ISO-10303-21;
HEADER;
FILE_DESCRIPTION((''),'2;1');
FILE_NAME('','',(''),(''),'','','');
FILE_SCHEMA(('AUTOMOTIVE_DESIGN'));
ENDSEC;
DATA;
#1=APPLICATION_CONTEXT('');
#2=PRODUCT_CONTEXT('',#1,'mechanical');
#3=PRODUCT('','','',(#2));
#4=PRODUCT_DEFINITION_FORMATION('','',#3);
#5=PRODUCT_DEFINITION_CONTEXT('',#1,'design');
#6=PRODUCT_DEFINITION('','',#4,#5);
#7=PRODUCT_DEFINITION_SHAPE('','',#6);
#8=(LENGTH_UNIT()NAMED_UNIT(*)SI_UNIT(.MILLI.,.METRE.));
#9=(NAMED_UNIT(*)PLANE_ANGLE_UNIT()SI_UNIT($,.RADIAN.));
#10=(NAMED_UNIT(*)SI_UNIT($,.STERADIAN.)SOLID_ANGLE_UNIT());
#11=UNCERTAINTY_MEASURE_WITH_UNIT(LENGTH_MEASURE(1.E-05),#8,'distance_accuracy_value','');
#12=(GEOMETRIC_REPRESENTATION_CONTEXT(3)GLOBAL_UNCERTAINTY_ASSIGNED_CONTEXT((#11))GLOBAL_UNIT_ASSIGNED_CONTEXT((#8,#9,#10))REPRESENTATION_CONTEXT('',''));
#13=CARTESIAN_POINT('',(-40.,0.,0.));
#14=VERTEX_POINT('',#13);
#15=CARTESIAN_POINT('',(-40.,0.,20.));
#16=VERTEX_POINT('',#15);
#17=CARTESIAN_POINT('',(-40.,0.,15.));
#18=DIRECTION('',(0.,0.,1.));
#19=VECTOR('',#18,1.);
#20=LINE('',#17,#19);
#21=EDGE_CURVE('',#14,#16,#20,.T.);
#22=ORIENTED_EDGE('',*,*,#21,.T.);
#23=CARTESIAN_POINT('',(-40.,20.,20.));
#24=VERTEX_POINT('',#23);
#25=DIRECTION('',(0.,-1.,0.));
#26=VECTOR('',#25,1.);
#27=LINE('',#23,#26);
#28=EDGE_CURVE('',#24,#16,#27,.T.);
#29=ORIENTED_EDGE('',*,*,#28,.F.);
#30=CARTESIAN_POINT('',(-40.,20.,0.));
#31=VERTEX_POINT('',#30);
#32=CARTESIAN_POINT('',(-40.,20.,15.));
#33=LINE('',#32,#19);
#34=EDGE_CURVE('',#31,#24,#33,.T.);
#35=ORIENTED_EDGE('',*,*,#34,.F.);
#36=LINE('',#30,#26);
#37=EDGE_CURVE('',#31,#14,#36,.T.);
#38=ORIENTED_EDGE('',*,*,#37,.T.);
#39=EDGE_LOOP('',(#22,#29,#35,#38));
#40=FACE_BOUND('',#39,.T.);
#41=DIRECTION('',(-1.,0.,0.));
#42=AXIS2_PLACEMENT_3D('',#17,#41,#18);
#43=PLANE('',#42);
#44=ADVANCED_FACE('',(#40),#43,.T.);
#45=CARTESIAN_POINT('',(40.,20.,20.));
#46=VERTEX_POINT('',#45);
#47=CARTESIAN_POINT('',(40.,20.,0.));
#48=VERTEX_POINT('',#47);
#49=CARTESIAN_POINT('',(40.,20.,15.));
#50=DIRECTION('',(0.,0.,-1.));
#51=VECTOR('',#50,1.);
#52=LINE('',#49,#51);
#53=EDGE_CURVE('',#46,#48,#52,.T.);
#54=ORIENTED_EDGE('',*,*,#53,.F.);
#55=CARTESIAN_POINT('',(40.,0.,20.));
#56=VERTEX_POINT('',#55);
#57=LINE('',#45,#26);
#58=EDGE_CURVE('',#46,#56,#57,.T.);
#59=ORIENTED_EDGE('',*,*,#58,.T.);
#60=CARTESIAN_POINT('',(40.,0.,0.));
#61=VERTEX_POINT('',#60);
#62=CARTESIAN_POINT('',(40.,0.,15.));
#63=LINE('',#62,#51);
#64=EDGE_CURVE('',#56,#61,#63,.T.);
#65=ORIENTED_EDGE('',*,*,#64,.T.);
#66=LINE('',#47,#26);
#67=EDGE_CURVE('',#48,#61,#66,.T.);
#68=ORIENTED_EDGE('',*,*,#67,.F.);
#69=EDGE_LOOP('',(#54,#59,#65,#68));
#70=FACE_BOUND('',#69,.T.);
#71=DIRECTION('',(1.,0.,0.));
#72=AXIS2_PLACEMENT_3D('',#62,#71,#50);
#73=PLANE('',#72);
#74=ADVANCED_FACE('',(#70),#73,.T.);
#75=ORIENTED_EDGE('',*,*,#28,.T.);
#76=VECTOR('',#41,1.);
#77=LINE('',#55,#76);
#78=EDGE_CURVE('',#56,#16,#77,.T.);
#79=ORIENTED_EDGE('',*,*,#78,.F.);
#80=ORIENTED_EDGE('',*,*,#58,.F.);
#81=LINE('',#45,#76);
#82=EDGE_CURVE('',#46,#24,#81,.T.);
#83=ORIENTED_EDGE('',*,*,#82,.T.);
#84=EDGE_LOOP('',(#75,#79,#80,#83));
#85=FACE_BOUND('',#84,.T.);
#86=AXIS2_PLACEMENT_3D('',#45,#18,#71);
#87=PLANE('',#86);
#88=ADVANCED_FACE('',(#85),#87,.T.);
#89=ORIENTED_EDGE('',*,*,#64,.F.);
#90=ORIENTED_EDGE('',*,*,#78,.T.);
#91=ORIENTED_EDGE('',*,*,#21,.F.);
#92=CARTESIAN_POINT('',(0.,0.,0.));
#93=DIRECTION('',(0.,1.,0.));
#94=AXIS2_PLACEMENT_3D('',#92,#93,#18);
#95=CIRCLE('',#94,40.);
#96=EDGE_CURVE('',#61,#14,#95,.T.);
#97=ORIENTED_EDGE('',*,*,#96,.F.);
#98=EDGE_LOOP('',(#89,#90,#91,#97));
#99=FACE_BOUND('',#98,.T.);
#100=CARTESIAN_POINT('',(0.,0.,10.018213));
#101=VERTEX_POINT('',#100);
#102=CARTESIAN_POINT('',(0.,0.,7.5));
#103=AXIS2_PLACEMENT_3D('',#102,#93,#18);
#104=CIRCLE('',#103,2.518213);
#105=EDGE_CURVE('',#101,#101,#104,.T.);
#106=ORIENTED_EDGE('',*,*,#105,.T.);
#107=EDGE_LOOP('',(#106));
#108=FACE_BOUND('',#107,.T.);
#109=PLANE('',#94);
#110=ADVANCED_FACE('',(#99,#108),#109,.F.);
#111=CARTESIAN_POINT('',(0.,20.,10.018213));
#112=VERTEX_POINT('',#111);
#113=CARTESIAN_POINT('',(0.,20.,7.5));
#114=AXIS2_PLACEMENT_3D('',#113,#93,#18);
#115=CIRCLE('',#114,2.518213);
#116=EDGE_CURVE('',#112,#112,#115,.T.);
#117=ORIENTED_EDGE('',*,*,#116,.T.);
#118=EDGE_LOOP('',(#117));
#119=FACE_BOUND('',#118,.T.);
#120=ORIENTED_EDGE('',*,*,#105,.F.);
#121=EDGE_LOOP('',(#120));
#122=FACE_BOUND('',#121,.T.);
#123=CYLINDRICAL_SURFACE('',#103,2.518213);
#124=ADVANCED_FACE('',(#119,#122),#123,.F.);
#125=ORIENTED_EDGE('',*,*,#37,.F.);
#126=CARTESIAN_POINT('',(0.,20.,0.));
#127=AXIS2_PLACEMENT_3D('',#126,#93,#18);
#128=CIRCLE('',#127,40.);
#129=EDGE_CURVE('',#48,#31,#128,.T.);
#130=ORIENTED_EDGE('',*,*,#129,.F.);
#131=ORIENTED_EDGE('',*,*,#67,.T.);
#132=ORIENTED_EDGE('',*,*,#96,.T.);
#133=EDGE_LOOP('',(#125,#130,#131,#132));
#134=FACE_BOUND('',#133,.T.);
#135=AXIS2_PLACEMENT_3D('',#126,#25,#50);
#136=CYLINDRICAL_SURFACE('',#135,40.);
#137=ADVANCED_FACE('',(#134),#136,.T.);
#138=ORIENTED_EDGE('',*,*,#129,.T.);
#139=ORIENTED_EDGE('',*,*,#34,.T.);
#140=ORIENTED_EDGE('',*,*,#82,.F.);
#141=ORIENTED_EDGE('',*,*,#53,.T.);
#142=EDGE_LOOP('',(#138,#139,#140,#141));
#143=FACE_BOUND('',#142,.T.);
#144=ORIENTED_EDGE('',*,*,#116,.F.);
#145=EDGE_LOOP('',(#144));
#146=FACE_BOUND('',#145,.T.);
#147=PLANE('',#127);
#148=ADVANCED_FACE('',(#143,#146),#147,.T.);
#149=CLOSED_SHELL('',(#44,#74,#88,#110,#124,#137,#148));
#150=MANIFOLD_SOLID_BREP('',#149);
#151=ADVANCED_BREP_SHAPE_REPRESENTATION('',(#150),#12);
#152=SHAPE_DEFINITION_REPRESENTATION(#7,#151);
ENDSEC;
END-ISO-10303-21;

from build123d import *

# Parameters (mm, degrees)
BOSS_EXTRUDE1_DEPTH = 20
SKETCH3_W           = 80
SKETCH3_H           = 15
BOSS_EXTRUDE3_DEPTH = 20
SKETCH4_R           = 1.75
CUT_EXTRUDE1_DEPTH  = 20
SKETCH6_W           = 80
SKETCH6_H           = 5
BOSS_EXTRUDE4_DEPTH = 20
SKETCH7_R           = 2.518213347
CUT_EXTRUDE3_DEPTH  = 20


with BuildPart() as part:
    # Sketch1 → Boss-Extrude1 (new body)
    with BuildSketch(Plane(origin=(0, 0, 0), x_dir=(1, 0, 0), z_dir=(0, 1, 0))):
        with BuildLine():
            Line((-40, 0), (40, 0))
            ThreePointArc((40, 0), (0, 40), (-40, 0))
        make_face()
    extrude(amount=BOSS_EXTRUDE1_DEPTH)

    # Sketch3 → Boss-Extrude3 (add)
    with BuildSketch(Plane(origin=(0, 20, 0), x_dir=(1, 0, 0), z_dir=(0, 1, 0))):
        with Locations((0, -7.5)):
            Rectangle(SKETCH3_W, SKETCH3_H)
    extrude(amount=-BOSS_EXTRUDE3_DEPTH)

    # Sketch4 → Cut-Extrude1 (cut)
    with BuildSketch(Plane(origin=(0, 0, 0), x_dir=(-1, 0, 0), z_dir=(0, -1, 0))):
        with Locations(Location((0, -7.5, 0), (0, 0, 90))):
            Circle(SKETCH4_R)
    extrude(amount=-CUT_EXTRUDE1_DEPTH, mode=Mode.SUBTRACT)

    # Sketch6 → Boss-Extrude4 (add)
    with BuildSketch(Plane(origin=(0, 0, 0), x_dir=(-1, 0, 0), z_dir=(0, -1, 0))):
        with Locations((0, -17.5)):
            Rectangle(SKETCH6_W, SKETCH6_H)
    extrude(amount=-BOSS_EXTRUDE4_DEPTH)

    # Sketch7 → Cut-Extrude3 (cut)
    with BuildSketch(Plane(origin=(0, 20, 0), x_dir=(1, 0, 0), z_dir=(0, 1, 0))):
        with Locations(Location((0, -7.5, 0), (0, 0, 270))):
            Circle(SKETCH7_R)
    extrude(amount=-CUT_EXTRUDE3_DEPTH, mode=Mode.SUBTRACT)


solid = part.part
